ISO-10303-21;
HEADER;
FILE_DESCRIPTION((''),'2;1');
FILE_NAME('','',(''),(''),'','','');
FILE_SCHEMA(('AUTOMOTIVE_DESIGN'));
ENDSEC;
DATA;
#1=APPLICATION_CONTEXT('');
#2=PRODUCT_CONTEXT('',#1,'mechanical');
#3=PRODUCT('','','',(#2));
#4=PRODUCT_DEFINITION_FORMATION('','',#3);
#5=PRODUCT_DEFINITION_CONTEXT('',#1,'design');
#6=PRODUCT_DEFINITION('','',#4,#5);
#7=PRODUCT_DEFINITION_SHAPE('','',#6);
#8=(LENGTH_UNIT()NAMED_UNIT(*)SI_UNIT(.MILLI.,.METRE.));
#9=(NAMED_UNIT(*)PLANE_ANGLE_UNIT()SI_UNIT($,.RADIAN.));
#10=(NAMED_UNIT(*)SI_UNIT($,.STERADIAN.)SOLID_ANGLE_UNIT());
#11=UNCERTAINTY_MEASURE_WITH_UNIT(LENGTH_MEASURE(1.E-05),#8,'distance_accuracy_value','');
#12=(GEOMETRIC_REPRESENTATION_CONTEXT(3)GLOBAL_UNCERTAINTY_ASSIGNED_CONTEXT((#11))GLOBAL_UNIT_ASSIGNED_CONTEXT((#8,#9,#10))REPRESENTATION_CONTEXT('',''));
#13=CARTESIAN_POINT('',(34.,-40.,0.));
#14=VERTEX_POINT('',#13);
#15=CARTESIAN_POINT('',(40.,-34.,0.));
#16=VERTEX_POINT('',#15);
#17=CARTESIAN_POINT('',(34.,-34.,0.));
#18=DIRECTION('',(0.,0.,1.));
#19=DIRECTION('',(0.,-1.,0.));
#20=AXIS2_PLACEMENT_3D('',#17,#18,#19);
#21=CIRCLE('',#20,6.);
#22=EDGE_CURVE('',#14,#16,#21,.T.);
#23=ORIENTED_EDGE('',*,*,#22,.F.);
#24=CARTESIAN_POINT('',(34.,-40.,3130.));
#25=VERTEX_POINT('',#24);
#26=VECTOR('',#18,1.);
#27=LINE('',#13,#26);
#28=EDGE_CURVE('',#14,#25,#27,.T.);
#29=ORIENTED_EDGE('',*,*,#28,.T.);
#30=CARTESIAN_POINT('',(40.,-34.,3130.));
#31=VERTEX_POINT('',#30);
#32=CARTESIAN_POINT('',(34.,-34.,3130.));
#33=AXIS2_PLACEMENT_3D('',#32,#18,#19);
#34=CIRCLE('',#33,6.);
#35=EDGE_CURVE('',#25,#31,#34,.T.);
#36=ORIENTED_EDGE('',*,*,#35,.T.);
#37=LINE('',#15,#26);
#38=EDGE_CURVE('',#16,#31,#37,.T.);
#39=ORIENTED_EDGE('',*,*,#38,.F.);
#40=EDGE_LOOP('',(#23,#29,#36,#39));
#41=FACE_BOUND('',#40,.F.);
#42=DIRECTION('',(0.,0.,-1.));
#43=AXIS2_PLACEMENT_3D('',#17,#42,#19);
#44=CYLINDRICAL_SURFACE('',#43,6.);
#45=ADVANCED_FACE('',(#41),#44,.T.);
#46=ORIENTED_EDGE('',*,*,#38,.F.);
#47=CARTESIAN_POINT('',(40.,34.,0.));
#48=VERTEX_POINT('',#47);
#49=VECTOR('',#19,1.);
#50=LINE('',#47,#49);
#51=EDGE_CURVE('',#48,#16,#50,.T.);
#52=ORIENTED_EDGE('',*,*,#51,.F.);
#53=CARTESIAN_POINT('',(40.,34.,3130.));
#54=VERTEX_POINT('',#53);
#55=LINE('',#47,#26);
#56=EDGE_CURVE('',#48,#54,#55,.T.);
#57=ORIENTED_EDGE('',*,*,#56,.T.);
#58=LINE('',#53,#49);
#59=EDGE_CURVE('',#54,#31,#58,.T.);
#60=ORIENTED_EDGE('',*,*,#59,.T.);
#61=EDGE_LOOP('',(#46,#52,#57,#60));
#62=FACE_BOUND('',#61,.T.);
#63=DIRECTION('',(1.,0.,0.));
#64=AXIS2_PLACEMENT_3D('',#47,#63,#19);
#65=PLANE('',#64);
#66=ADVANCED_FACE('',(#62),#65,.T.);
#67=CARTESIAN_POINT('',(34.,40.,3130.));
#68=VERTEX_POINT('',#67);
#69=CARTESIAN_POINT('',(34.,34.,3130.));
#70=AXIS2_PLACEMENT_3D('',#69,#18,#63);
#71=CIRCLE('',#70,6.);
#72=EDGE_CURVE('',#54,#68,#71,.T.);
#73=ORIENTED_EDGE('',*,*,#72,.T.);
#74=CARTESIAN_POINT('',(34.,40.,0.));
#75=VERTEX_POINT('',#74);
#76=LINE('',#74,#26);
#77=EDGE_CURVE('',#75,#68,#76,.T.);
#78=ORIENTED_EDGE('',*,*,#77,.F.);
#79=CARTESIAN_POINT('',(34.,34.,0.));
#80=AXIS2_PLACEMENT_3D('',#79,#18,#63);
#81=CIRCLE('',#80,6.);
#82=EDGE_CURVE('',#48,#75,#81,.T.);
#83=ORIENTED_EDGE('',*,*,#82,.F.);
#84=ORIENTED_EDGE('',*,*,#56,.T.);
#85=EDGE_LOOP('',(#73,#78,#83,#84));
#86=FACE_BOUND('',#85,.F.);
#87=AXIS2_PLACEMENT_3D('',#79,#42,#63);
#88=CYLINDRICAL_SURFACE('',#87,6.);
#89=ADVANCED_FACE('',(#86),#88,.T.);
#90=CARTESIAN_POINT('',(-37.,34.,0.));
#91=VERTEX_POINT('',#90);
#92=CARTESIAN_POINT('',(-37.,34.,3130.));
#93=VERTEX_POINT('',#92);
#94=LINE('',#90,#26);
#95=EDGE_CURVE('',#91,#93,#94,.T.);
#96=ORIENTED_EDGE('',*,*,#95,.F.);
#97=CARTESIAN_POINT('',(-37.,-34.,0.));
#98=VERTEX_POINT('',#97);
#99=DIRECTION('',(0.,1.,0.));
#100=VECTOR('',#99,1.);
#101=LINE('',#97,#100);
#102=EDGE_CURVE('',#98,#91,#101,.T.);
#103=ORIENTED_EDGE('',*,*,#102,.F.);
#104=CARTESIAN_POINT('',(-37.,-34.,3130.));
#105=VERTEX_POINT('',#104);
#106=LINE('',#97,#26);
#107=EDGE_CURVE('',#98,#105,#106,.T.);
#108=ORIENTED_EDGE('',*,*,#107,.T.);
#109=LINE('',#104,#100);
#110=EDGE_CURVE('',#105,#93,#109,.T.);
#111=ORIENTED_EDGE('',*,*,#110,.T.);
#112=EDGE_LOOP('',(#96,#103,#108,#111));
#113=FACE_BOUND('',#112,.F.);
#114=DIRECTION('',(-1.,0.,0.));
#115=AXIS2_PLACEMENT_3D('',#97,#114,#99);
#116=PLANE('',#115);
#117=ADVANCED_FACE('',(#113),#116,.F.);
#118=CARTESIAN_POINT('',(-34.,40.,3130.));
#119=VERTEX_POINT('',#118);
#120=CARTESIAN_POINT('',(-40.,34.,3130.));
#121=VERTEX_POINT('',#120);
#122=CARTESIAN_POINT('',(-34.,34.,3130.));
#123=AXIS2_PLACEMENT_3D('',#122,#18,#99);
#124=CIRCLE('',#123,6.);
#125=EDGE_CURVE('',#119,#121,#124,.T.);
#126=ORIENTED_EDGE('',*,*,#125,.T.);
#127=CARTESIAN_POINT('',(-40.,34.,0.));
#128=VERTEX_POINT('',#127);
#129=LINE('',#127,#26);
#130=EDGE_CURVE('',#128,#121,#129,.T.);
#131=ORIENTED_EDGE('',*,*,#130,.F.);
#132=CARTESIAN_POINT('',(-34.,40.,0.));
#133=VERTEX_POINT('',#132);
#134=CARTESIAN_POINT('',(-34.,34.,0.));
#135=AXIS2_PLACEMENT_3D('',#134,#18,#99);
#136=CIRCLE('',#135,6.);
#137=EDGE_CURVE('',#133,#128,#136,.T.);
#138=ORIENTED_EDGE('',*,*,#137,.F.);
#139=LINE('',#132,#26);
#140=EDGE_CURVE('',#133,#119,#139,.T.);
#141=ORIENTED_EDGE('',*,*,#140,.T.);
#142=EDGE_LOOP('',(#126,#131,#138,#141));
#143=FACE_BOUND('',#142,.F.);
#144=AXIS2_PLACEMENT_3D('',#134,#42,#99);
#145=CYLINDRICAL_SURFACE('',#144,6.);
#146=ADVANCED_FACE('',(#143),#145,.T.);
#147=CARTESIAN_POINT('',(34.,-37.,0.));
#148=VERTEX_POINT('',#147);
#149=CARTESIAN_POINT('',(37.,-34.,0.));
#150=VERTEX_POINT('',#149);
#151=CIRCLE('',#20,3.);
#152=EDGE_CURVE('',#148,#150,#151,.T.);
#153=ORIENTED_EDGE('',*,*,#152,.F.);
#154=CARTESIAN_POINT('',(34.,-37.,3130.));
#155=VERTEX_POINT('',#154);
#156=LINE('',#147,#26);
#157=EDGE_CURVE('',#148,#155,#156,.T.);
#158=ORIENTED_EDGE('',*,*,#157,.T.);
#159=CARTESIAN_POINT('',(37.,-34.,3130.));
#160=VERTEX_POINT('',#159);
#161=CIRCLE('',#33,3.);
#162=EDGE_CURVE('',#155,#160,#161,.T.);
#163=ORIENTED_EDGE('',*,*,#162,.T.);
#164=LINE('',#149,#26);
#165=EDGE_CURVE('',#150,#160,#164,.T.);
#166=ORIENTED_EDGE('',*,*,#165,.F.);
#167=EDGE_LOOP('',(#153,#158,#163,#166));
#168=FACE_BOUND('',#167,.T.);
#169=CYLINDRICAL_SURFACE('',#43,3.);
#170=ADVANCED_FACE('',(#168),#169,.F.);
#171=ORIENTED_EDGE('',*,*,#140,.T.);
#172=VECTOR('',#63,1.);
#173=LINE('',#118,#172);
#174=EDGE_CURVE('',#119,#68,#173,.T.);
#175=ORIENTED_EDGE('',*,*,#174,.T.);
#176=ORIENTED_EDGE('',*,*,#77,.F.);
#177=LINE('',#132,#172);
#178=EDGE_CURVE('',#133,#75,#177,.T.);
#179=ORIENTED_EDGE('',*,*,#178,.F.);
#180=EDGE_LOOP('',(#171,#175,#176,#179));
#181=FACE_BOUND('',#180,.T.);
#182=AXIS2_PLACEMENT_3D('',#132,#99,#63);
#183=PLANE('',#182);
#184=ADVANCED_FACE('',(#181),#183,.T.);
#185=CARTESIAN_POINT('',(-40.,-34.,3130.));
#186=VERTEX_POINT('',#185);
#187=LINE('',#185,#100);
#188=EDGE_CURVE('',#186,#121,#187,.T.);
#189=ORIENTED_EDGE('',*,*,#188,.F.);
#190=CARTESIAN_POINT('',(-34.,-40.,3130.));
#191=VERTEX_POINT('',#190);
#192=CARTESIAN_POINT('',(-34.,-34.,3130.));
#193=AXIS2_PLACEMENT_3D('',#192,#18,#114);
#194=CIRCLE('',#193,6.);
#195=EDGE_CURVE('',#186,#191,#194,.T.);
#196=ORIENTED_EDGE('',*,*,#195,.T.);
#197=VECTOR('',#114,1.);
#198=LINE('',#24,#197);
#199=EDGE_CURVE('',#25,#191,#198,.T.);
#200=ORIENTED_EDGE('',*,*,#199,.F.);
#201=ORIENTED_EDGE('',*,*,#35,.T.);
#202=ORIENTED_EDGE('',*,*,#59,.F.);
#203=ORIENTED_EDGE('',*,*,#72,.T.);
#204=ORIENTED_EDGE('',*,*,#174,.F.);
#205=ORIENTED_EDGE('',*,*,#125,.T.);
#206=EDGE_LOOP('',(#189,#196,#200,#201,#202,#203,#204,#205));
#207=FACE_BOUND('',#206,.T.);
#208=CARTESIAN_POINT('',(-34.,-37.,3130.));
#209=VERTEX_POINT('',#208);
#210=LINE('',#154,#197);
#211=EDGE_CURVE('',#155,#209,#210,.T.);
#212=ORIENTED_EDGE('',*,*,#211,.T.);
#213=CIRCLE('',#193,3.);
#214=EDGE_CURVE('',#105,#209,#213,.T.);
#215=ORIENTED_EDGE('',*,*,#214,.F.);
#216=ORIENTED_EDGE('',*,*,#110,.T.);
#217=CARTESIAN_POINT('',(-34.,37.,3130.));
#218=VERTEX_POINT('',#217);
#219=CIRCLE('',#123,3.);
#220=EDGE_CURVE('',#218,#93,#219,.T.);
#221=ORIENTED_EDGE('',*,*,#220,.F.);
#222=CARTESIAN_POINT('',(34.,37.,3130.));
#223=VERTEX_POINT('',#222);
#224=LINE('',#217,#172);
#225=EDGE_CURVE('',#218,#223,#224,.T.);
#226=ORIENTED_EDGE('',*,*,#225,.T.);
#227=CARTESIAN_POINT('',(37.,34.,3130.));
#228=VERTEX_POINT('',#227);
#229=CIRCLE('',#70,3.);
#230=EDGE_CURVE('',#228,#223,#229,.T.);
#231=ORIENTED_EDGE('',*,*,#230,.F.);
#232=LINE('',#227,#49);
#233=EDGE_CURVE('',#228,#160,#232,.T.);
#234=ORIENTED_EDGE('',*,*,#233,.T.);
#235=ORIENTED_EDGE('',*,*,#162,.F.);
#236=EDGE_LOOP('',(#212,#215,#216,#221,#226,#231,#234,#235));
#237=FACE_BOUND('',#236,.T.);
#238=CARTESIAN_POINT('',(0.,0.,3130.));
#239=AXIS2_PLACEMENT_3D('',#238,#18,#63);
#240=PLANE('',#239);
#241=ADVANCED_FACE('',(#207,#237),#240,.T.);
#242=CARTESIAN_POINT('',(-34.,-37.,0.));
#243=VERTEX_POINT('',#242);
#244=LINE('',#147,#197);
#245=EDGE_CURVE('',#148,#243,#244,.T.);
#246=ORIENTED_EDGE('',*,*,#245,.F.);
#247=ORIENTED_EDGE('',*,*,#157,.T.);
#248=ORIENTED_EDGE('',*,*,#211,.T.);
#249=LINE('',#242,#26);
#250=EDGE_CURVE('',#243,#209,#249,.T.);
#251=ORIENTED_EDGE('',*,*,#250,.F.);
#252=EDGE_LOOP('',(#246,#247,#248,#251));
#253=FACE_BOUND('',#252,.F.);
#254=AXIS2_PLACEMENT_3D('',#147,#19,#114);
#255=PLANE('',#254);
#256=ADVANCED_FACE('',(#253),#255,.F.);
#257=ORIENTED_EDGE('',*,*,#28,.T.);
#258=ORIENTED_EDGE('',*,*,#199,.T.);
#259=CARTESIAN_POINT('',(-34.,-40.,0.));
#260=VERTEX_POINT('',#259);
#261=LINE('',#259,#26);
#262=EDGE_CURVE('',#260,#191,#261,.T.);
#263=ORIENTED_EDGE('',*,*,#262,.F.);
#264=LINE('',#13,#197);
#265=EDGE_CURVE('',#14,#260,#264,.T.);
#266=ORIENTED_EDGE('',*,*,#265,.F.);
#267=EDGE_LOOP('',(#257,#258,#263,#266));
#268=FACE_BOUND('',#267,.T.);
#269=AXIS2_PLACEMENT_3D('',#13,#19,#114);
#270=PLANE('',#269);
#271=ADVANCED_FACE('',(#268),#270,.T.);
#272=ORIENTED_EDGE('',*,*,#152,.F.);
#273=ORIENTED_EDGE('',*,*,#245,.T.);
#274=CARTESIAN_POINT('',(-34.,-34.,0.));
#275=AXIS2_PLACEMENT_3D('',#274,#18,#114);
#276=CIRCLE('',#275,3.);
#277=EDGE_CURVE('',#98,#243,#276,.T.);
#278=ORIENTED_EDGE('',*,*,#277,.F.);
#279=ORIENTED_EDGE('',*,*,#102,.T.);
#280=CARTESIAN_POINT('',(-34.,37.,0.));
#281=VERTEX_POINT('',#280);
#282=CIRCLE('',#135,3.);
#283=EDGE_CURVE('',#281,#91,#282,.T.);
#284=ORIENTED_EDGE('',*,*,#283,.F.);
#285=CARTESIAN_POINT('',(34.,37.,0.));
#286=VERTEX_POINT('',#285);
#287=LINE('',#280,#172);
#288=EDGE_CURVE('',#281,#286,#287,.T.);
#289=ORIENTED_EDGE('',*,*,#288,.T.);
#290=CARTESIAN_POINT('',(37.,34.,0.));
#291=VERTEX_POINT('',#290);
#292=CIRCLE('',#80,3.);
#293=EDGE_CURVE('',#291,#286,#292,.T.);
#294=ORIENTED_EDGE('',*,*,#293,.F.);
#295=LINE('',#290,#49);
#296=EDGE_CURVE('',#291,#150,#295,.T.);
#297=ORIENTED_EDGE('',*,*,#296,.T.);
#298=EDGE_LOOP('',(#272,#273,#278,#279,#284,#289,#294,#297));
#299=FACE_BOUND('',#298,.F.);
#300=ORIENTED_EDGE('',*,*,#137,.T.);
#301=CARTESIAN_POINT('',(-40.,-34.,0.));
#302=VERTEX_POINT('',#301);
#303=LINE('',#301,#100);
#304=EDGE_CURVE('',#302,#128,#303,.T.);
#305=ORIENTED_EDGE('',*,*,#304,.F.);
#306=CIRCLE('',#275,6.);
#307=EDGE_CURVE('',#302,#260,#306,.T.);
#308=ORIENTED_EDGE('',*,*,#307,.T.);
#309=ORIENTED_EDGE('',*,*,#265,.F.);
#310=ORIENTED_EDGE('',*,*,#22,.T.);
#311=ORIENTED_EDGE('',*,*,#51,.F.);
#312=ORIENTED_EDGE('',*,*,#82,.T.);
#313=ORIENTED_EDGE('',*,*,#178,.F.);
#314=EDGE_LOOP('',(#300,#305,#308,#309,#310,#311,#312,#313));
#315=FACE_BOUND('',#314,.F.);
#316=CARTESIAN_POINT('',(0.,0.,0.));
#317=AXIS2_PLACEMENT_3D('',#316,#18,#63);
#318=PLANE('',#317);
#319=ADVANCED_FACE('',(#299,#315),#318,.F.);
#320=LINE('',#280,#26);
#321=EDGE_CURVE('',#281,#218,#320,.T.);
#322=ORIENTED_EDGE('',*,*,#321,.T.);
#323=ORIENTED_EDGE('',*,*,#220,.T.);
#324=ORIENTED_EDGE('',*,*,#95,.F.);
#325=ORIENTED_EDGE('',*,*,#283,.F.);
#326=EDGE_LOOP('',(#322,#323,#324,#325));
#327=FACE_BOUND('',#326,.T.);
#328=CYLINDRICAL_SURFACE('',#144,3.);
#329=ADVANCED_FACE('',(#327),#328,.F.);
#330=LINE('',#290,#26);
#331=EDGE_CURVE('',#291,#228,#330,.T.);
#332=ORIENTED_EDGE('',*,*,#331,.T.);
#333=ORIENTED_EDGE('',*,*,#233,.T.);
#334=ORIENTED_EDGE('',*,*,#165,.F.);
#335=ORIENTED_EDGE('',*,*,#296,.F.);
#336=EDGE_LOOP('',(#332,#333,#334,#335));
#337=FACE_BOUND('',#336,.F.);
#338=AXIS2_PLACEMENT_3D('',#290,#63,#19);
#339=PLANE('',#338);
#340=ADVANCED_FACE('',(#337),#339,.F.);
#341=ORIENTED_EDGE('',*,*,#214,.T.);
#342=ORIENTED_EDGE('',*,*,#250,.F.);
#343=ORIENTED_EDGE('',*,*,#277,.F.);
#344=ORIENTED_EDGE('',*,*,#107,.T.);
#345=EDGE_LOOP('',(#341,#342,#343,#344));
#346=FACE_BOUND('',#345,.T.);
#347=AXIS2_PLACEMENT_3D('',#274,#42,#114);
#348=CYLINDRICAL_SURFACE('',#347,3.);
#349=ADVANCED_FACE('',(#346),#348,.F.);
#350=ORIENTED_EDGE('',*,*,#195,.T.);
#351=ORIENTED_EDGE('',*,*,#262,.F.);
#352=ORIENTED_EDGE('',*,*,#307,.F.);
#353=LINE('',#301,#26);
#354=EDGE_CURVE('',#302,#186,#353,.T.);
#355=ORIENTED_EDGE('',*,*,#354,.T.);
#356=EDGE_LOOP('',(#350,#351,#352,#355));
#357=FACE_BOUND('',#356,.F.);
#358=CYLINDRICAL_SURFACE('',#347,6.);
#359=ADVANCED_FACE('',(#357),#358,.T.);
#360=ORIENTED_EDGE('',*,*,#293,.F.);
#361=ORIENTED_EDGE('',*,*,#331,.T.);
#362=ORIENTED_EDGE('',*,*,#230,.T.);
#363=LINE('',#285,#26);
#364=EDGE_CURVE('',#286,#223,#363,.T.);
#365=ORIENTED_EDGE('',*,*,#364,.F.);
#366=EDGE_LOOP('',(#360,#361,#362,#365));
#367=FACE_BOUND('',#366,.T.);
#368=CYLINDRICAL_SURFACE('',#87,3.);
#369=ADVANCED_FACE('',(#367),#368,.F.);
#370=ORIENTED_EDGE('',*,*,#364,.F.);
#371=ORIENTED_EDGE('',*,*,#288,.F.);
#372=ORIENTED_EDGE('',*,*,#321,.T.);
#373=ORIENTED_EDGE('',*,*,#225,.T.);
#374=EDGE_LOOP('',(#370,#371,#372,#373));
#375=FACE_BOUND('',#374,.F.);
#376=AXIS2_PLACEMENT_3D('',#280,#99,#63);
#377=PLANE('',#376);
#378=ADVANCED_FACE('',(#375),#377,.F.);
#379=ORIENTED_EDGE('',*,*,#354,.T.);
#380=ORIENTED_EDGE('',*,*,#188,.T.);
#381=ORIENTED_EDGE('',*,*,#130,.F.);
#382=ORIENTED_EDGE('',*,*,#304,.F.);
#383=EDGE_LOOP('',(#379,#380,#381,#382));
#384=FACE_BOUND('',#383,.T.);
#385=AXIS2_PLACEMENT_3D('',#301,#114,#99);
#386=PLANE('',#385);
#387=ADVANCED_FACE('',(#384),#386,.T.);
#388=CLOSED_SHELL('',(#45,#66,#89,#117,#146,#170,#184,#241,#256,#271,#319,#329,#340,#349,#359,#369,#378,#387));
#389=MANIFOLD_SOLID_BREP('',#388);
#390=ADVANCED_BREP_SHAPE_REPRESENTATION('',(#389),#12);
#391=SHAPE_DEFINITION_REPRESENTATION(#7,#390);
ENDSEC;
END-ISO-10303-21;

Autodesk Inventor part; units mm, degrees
ref_plane "YZ Plane" through (0, 0, 0) normal (1, 0, 0) x (0, 1, 0)
ref_plane "Start plane" through (0, 0, 0) normal (0, 0, 1) x (1, 0, 0)
ref_plane "End plane" through (0, 0, 3130) normal (0, 0, 1) x (1, 0, 0)
sketch "Sketch" plane through (0, 0, 0) normal (0, 0, 1) x (1, 0, 0)
  line L0 (-40, -34) -> (-40, 34)
  line L1 (-34, 40) -> (34, 40)
  line L2 (40, 34) -> (40, -34)
  line L3 (34, -40) -> (-34, -40)
  arc A0 (-40, -34) -> (-34, -40) centre (-34, -34) ccw
  arc A1 (40, 34) -> (34, 40) centre (34, 34) ccw
  arc A2 (-34, 40) -> (-40, 34) centre (-34, 34) ccw
  arc A3 (34, -40) -> (40, -34) centre (34, -34) ccw
  arc A4 (-34, 37) -> (-37, 34) centre (-34, 34) ccw
  line L4 (-34, 37) -> (34, 37)
  arc A5 (37, 34) -> (34, 37) centre (34, 34) ccw
  line L5 (37, 34) -> (37, -34)
  arc A6 (34, -37) -> (37, -34) centre (34, -34) ccw
  line L6 (34, -37) -> (-34, -37)
  arc A7 (-37, -34) -> (-34, -37) centre (-34, -34) ccw
  line L7 (-37, -34) -> (-37, 34)
  line L8 (0, 57.7397) -> (0, -57.7397) construction
  line L9 (-57.7397, 0) -> (57.7397, 0) construction
  dimension "d7" = 6
  dimension "d9" = 80
  dimension "d11" = 80
  dimension "d12" = 3
  dimension "d15" = 40
  dimension "d16" = 40
extrude "Body" add sketch "Sketch" along normal up to surface (3130 mm away) from surface at 0
sketch "Sketch3" plane through (0, 0, 0) normal (0, 0, 1) x (1, 0, 0)
  line L0 (0, 0) -> (10, 0)
ref_plane "Work Plane3" through (0, 0, 0) normal (0, -1, 0) x (1, 0, 0)
sketch "Sketch4" plane through (0, 0, 0) normal (0, -1, 0) x (1, 0, 0)
  line L0 (-2, 0) -> (12, 0) projected
  line L1 (-2, 3130) -> (12, 3130) projected
  dimension "d18" = 3130
equation "\"d7\" = G_IR"
equation "\"d9\" = G_W"
equation "\"d11\" = G_H"
equation "\"d12\" = G_T"
equation "\"d15\" = 0.5 * d9"
equation "\"d16\" = 0.5 * d11"
equation "\"d3\" = G_L"
equation "\"G_W\" = 80"
equation "\"G_H\" = 80"
equation "\"G_T\" = 3"
equation "\"G_IR\" = 6"
equation "\"G_L\" = d18"
equation "\"G_OFFSET_START\" = 0"
equation "\"G_OFFSET_END\" = 0"
properties part number "ISO 4019 - 80x80x3 - 3130" material "Steel, Mild"
